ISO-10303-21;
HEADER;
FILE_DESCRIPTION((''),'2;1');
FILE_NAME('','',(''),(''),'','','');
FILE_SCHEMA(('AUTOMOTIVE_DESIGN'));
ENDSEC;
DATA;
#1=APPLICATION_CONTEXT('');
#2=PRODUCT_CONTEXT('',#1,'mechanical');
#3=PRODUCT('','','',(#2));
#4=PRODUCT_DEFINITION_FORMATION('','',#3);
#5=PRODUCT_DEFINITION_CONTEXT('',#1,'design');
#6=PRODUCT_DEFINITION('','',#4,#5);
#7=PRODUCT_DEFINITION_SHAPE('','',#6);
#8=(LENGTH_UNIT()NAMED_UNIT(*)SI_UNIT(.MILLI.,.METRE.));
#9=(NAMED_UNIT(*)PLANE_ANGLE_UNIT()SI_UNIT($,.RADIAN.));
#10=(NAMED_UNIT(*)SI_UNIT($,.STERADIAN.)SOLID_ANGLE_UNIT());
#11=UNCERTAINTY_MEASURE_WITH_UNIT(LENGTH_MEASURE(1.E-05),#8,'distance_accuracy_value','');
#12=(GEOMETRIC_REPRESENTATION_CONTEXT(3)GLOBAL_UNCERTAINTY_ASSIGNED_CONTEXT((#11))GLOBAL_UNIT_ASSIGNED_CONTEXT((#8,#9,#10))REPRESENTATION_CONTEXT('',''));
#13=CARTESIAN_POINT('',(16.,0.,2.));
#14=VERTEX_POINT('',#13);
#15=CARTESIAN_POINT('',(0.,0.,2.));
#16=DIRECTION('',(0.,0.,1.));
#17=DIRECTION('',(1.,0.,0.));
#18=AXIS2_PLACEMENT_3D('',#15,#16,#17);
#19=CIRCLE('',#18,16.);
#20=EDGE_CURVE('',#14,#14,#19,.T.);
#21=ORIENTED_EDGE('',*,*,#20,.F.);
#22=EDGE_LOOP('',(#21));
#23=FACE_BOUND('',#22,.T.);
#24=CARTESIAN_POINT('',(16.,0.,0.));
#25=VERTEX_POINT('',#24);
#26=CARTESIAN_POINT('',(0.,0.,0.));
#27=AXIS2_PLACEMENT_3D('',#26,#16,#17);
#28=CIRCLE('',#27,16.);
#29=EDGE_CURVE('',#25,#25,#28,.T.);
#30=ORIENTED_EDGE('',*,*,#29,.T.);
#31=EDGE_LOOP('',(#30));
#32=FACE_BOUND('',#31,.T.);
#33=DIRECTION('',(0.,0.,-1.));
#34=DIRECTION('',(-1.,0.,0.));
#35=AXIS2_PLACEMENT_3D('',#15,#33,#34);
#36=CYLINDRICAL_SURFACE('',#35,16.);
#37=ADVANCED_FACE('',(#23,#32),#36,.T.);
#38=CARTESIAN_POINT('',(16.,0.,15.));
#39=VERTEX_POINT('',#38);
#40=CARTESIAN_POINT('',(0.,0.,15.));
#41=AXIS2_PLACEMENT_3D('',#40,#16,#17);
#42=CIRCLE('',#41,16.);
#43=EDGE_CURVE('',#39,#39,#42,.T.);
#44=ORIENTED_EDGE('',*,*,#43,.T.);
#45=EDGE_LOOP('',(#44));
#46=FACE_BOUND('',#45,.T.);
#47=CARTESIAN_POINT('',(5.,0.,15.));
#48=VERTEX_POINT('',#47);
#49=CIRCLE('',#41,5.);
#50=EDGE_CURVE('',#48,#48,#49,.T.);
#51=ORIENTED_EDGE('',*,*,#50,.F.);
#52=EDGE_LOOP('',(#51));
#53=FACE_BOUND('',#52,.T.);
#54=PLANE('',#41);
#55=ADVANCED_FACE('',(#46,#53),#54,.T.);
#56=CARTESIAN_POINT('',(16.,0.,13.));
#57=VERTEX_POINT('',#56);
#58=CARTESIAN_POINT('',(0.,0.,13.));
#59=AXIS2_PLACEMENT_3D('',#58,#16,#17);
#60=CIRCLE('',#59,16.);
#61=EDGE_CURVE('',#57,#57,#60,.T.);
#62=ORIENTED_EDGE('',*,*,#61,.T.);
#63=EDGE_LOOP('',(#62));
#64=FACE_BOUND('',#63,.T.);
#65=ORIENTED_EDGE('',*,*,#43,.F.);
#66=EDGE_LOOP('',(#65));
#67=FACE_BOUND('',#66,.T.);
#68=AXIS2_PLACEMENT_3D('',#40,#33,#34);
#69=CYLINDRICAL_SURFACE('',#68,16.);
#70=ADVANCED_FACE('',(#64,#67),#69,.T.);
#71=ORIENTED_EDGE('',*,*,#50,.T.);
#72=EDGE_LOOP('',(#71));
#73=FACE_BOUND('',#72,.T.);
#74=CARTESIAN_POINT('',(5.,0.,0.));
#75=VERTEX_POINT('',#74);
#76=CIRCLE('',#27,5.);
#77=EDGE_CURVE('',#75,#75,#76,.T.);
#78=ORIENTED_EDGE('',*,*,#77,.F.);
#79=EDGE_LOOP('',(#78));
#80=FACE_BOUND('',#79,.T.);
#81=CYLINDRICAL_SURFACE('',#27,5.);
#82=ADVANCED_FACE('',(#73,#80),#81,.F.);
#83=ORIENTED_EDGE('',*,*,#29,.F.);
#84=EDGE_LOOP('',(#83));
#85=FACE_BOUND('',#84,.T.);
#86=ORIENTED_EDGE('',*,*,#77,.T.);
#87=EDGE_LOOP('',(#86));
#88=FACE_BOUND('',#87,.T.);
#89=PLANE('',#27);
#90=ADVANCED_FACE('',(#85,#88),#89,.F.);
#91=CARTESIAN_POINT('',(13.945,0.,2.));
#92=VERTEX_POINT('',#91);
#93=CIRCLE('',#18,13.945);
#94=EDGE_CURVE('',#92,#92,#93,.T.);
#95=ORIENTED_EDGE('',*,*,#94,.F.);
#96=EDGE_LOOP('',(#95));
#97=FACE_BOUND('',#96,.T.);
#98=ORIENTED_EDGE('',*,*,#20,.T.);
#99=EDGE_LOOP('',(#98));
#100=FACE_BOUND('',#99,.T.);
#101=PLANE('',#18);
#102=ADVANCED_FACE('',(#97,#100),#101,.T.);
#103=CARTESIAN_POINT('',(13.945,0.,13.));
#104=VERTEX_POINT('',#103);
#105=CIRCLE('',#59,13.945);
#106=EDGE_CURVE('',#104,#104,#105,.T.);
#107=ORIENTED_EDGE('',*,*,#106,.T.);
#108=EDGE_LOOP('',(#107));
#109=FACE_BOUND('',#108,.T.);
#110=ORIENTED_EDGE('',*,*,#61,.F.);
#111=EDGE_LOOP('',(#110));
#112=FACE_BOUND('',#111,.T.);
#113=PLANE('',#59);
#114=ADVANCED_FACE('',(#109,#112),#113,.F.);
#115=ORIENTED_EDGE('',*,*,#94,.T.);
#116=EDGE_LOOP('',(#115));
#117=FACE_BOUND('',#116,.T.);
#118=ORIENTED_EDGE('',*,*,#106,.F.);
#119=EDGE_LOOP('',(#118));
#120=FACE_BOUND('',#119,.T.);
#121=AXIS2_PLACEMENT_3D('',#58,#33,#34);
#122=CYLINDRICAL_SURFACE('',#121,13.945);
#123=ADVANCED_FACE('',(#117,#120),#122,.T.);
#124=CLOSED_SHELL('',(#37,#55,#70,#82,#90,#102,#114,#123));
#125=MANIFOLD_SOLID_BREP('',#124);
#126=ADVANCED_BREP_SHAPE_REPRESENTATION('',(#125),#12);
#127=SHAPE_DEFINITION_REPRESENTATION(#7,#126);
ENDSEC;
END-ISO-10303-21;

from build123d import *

# Parameters (mm, degrees)
SKETCH_1_R          = 16
EXTRUDE_1_DEPTH     = 2
SKETCH_2_R          = 13.945
EXTRUDE_2_DEPTH     = 11
SKETCH_3_R          = 16
EXTRUDE_3_DEPTH     = 2
SKETCH_4_R          = 5
CUT_EXTRUDE_1_DEPTH = 15


with BuildPart() as part:
    # 草图1 → 凸台-拉伸1 (new body)
    with BuildSketch(Plane.XY):
        Circle(SKETCH_1_R)
    extrude(amount=EXTRUDE_1_DEPTH)

    # 草图2 → 凸台-拉伸2 (add)
    with BuildSketch(Plane.XY.offset(2)):
        Circle(SKETCH_2_R)
    extrude(amount=EXTRUDE_2_DEPTH)

    # 草图3 → 凸台-拉伸3 (add)
    with BuildSketch(Plane.XY.offset(13)):
        Circle(SKETCH_3_R)
    extrude(amount=EXTRUDE_3_DEPTH)

    # 草图4 → 切除-拉伸1 (cut)
    with BuildSketch(Plane.XY.offset(15)):
        Circle(SKETCH_4_R)
    extrude(amount=-CUT_EXTRUDE_1_DEPTH, mode=Mode.SUBTRACT)


solid = part.part
